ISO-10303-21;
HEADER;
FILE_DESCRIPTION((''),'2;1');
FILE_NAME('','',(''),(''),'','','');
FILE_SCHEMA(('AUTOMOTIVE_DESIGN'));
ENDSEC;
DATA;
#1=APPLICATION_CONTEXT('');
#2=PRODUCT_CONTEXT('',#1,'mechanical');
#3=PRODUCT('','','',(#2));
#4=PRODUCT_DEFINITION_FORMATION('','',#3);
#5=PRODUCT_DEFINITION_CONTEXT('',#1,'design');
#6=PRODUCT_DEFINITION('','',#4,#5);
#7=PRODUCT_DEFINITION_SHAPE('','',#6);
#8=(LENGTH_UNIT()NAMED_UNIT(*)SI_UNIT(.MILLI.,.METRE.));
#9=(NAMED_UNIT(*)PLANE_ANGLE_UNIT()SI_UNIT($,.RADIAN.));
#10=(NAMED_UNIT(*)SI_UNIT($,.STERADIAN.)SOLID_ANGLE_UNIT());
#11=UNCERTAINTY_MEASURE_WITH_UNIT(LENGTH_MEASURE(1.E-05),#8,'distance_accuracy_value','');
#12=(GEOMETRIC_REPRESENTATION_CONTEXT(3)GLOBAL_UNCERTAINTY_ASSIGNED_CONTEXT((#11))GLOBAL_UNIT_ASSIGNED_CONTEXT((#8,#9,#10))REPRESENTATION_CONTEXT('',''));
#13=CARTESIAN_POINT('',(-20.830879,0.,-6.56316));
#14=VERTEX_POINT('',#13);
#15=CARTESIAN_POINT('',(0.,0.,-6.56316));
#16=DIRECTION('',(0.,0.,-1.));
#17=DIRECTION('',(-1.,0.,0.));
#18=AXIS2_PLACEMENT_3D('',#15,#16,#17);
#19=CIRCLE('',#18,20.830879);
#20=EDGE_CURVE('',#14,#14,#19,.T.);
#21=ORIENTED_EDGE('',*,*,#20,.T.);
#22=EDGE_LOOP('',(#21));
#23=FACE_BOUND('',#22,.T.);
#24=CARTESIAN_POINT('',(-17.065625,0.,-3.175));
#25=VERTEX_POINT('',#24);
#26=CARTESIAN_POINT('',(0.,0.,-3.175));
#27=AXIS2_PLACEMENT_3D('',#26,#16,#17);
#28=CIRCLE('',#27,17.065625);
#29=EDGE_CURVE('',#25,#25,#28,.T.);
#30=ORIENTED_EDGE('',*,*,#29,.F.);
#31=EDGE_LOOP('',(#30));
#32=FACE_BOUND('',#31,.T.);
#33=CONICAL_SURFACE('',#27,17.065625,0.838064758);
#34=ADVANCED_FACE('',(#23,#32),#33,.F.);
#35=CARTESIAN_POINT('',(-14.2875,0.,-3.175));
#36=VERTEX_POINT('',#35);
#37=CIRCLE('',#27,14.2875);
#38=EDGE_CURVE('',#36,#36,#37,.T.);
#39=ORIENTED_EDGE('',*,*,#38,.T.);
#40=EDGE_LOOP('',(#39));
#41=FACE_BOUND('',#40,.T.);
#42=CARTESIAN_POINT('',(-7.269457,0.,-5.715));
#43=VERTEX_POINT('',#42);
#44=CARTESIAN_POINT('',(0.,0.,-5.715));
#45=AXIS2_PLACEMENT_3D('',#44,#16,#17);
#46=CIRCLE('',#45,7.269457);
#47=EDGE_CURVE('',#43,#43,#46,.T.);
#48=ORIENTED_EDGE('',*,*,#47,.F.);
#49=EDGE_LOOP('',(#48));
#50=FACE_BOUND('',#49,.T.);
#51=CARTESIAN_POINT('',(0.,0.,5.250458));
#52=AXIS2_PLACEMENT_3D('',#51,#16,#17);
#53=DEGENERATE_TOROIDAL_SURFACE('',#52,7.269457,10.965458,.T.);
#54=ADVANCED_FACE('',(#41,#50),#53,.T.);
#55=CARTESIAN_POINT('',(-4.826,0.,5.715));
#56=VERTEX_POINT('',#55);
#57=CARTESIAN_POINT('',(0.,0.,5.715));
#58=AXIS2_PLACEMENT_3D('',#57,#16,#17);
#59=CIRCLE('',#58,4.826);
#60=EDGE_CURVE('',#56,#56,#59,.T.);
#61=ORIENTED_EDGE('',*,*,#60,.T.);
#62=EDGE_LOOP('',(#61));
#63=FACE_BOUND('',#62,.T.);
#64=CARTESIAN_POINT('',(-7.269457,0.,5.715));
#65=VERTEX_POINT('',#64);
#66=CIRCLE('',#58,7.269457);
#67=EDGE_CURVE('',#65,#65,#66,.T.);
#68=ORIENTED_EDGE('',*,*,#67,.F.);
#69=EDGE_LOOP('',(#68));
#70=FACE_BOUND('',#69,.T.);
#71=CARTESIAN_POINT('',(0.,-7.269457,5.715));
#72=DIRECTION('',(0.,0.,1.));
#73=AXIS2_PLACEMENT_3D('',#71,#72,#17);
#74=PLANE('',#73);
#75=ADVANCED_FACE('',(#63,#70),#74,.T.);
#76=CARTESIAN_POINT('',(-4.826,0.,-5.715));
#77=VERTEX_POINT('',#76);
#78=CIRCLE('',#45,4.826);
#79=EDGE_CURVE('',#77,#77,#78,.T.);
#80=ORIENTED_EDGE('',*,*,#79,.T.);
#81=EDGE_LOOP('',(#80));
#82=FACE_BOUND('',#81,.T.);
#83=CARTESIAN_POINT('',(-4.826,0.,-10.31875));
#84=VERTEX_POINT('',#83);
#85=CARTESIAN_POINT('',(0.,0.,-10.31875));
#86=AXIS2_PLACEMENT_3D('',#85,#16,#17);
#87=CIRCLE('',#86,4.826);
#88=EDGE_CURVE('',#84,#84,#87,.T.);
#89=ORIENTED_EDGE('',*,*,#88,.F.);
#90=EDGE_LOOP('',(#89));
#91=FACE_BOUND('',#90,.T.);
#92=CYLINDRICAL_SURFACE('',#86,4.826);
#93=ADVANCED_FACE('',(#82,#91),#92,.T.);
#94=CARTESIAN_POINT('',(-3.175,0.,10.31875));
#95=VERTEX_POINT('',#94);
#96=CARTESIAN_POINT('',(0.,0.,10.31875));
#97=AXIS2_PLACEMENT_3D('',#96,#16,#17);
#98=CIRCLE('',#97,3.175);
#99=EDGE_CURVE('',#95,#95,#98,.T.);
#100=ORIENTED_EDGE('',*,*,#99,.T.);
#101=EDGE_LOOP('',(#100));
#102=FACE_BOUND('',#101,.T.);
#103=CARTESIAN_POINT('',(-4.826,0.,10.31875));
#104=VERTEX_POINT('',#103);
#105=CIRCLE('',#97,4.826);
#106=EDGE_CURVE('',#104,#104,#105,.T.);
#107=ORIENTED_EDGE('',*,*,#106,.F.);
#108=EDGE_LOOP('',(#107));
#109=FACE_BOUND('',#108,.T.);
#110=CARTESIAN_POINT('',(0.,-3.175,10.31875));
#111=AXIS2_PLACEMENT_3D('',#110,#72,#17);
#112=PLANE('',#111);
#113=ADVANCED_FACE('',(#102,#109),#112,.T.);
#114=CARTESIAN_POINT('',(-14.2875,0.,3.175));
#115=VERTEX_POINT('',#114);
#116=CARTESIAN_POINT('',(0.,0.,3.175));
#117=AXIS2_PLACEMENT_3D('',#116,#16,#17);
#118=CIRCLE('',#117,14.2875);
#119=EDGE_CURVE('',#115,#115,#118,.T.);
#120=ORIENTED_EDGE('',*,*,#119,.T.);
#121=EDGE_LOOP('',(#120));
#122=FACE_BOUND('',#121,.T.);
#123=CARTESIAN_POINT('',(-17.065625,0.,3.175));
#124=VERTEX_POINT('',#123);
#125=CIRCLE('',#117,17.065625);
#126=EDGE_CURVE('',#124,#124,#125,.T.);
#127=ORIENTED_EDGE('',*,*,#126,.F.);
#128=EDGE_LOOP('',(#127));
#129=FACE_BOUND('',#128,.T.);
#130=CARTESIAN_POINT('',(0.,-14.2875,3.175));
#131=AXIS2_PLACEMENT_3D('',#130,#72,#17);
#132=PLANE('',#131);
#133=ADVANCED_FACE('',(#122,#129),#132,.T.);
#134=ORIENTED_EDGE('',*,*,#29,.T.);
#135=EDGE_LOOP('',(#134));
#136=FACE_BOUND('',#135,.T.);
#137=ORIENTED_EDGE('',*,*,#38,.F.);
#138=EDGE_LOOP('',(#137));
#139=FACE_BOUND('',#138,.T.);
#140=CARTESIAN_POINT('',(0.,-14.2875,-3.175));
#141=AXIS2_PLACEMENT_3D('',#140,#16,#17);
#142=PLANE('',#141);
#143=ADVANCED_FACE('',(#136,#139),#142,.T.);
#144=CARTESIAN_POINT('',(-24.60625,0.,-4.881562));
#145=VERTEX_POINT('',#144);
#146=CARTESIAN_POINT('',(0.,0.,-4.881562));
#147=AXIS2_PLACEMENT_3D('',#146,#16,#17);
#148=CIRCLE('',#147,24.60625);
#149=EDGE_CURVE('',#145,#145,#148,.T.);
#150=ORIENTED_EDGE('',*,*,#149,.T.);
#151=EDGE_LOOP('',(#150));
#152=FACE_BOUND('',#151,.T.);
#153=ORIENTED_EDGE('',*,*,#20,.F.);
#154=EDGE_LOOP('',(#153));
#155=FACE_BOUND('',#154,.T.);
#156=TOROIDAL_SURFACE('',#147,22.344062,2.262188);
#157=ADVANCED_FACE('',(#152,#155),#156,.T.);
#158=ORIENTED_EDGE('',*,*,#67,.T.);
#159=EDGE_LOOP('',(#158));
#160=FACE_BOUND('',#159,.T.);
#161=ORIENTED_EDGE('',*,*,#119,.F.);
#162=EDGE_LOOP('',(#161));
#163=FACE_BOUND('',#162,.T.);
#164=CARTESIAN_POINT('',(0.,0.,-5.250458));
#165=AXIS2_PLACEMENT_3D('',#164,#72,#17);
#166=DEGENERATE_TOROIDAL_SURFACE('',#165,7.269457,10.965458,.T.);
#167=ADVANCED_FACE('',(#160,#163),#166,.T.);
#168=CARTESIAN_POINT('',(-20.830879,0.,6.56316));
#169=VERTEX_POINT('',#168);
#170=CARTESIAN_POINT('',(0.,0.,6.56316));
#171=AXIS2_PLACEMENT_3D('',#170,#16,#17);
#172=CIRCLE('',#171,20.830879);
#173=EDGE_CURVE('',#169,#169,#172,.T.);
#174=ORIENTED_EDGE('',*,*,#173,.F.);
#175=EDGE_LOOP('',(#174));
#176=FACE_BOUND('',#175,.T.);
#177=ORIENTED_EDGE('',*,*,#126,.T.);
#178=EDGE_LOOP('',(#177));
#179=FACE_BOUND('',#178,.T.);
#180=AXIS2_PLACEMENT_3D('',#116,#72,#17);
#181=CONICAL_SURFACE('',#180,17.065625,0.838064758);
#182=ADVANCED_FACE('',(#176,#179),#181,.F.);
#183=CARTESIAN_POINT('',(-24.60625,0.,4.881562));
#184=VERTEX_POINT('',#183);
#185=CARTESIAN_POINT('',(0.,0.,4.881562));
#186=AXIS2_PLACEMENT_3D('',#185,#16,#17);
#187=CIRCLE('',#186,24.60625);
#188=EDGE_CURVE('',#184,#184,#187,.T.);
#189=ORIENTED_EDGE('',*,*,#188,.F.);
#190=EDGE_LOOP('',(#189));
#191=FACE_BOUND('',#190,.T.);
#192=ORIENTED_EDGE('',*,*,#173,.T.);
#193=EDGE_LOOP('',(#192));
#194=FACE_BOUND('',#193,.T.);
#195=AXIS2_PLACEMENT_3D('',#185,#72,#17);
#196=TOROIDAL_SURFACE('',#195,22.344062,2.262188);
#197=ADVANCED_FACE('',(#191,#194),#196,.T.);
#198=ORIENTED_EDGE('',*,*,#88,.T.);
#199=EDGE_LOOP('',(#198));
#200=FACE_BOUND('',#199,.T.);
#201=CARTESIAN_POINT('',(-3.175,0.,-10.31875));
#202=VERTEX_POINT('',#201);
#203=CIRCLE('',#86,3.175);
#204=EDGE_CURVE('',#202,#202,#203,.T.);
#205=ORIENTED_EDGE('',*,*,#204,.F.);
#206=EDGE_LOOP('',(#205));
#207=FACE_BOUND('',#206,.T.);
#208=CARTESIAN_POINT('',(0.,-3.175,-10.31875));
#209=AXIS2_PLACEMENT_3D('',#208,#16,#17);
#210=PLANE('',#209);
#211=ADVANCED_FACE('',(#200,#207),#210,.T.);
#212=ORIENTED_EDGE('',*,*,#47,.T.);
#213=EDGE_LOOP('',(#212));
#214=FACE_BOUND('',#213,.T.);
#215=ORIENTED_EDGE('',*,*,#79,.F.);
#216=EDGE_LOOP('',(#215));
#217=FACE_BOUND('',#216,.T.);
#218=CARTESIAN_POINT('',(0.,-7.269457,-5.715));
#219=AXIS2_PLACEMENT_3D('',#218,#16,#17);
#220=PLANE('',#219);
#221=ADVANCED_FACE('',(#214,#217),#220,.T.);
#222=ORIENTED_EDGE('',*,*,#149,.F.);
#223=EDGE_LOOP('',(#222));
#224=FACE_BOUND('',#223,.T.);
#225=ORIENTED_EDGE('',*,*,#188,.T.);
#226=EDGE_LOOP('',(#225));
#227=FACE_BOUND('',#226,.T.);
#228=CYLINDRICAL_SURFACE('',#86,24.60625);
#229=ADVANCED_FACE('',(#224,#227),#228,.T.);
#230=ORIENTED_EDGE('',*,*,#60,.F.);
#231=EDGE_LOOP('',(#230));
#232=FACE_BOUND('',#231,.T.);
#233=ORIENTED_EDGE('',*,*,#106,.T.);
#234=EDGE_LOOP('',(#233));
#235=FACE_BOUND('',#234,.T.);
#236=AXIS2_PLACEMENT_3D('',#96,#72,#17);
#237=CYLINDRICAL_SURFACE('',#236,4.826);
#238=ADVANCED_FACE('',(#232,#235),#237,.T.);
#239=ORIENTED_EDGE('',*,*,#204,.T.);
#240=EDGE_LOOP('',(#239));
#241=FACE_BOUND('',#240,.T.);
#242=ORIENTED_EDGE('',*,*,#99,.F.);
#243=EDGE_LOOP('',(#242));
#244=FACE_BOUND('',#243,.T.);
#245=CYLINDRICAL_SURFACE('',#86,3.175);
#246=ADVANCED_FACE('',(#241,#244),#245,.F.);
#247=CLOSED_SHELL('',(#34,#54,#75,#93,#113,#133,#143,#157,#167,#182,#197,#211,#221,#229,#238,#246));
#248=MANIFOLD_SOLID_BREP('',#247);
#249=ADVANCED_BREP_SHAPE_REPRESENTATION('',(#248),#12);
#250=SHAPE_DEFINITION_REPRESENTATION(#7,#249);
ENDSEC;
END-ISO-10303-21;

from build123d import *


with BuildPart() as part:
    # Sketch1 → Revolve1 (revolve)
    with BuildSketch(Plane(origin=(0, 0, 0), x_dir=(0, 0, -1), z_dir=(1, 0, 0)), mode=Mode.PRIVATE) as revolve1_sk:
        with BuildLine():
            Line((0, 24.60625), (4.8815625, 24.60625))
            ThreePointArc((4.8815625, 24.60625), (6.948032483, 23.264493972), (6.563159633, 20.83087931))
            Line((6.563159633, 20.83087931), (3.175, 17.065625))
            Line((3.175, 17.065625), (3.175, 14.2875))
            ThreePointArc((3.175, 14.2875), (5.060465212, 11.001230365), (5.715, 7.269457141))
            Line((5.715, 7.269457141), (5.715, 4.826))
            Line((5.715, 4.826), (10.31875, 4.826))
            Line((10.31875, 4.826), (10.31875, 3.175))
            Line((10.31875, 3.175), (0, 3.175))
            Line((0, 3.175), (0, 24.60625))
        make_face()
    revolve(revolve1_sk.sketch.rotate(Axis((0, 0, -10.31875), (0, 0, 1)), 90), axis=Axis((0, 0, -10.31875), (0, 0, 1)))

    # Mirror1: part across plane


with BuildPart() as part_1:
    add(part.part)
    add(part.part.mirror(Plane.XY))


solid = part_1.part
